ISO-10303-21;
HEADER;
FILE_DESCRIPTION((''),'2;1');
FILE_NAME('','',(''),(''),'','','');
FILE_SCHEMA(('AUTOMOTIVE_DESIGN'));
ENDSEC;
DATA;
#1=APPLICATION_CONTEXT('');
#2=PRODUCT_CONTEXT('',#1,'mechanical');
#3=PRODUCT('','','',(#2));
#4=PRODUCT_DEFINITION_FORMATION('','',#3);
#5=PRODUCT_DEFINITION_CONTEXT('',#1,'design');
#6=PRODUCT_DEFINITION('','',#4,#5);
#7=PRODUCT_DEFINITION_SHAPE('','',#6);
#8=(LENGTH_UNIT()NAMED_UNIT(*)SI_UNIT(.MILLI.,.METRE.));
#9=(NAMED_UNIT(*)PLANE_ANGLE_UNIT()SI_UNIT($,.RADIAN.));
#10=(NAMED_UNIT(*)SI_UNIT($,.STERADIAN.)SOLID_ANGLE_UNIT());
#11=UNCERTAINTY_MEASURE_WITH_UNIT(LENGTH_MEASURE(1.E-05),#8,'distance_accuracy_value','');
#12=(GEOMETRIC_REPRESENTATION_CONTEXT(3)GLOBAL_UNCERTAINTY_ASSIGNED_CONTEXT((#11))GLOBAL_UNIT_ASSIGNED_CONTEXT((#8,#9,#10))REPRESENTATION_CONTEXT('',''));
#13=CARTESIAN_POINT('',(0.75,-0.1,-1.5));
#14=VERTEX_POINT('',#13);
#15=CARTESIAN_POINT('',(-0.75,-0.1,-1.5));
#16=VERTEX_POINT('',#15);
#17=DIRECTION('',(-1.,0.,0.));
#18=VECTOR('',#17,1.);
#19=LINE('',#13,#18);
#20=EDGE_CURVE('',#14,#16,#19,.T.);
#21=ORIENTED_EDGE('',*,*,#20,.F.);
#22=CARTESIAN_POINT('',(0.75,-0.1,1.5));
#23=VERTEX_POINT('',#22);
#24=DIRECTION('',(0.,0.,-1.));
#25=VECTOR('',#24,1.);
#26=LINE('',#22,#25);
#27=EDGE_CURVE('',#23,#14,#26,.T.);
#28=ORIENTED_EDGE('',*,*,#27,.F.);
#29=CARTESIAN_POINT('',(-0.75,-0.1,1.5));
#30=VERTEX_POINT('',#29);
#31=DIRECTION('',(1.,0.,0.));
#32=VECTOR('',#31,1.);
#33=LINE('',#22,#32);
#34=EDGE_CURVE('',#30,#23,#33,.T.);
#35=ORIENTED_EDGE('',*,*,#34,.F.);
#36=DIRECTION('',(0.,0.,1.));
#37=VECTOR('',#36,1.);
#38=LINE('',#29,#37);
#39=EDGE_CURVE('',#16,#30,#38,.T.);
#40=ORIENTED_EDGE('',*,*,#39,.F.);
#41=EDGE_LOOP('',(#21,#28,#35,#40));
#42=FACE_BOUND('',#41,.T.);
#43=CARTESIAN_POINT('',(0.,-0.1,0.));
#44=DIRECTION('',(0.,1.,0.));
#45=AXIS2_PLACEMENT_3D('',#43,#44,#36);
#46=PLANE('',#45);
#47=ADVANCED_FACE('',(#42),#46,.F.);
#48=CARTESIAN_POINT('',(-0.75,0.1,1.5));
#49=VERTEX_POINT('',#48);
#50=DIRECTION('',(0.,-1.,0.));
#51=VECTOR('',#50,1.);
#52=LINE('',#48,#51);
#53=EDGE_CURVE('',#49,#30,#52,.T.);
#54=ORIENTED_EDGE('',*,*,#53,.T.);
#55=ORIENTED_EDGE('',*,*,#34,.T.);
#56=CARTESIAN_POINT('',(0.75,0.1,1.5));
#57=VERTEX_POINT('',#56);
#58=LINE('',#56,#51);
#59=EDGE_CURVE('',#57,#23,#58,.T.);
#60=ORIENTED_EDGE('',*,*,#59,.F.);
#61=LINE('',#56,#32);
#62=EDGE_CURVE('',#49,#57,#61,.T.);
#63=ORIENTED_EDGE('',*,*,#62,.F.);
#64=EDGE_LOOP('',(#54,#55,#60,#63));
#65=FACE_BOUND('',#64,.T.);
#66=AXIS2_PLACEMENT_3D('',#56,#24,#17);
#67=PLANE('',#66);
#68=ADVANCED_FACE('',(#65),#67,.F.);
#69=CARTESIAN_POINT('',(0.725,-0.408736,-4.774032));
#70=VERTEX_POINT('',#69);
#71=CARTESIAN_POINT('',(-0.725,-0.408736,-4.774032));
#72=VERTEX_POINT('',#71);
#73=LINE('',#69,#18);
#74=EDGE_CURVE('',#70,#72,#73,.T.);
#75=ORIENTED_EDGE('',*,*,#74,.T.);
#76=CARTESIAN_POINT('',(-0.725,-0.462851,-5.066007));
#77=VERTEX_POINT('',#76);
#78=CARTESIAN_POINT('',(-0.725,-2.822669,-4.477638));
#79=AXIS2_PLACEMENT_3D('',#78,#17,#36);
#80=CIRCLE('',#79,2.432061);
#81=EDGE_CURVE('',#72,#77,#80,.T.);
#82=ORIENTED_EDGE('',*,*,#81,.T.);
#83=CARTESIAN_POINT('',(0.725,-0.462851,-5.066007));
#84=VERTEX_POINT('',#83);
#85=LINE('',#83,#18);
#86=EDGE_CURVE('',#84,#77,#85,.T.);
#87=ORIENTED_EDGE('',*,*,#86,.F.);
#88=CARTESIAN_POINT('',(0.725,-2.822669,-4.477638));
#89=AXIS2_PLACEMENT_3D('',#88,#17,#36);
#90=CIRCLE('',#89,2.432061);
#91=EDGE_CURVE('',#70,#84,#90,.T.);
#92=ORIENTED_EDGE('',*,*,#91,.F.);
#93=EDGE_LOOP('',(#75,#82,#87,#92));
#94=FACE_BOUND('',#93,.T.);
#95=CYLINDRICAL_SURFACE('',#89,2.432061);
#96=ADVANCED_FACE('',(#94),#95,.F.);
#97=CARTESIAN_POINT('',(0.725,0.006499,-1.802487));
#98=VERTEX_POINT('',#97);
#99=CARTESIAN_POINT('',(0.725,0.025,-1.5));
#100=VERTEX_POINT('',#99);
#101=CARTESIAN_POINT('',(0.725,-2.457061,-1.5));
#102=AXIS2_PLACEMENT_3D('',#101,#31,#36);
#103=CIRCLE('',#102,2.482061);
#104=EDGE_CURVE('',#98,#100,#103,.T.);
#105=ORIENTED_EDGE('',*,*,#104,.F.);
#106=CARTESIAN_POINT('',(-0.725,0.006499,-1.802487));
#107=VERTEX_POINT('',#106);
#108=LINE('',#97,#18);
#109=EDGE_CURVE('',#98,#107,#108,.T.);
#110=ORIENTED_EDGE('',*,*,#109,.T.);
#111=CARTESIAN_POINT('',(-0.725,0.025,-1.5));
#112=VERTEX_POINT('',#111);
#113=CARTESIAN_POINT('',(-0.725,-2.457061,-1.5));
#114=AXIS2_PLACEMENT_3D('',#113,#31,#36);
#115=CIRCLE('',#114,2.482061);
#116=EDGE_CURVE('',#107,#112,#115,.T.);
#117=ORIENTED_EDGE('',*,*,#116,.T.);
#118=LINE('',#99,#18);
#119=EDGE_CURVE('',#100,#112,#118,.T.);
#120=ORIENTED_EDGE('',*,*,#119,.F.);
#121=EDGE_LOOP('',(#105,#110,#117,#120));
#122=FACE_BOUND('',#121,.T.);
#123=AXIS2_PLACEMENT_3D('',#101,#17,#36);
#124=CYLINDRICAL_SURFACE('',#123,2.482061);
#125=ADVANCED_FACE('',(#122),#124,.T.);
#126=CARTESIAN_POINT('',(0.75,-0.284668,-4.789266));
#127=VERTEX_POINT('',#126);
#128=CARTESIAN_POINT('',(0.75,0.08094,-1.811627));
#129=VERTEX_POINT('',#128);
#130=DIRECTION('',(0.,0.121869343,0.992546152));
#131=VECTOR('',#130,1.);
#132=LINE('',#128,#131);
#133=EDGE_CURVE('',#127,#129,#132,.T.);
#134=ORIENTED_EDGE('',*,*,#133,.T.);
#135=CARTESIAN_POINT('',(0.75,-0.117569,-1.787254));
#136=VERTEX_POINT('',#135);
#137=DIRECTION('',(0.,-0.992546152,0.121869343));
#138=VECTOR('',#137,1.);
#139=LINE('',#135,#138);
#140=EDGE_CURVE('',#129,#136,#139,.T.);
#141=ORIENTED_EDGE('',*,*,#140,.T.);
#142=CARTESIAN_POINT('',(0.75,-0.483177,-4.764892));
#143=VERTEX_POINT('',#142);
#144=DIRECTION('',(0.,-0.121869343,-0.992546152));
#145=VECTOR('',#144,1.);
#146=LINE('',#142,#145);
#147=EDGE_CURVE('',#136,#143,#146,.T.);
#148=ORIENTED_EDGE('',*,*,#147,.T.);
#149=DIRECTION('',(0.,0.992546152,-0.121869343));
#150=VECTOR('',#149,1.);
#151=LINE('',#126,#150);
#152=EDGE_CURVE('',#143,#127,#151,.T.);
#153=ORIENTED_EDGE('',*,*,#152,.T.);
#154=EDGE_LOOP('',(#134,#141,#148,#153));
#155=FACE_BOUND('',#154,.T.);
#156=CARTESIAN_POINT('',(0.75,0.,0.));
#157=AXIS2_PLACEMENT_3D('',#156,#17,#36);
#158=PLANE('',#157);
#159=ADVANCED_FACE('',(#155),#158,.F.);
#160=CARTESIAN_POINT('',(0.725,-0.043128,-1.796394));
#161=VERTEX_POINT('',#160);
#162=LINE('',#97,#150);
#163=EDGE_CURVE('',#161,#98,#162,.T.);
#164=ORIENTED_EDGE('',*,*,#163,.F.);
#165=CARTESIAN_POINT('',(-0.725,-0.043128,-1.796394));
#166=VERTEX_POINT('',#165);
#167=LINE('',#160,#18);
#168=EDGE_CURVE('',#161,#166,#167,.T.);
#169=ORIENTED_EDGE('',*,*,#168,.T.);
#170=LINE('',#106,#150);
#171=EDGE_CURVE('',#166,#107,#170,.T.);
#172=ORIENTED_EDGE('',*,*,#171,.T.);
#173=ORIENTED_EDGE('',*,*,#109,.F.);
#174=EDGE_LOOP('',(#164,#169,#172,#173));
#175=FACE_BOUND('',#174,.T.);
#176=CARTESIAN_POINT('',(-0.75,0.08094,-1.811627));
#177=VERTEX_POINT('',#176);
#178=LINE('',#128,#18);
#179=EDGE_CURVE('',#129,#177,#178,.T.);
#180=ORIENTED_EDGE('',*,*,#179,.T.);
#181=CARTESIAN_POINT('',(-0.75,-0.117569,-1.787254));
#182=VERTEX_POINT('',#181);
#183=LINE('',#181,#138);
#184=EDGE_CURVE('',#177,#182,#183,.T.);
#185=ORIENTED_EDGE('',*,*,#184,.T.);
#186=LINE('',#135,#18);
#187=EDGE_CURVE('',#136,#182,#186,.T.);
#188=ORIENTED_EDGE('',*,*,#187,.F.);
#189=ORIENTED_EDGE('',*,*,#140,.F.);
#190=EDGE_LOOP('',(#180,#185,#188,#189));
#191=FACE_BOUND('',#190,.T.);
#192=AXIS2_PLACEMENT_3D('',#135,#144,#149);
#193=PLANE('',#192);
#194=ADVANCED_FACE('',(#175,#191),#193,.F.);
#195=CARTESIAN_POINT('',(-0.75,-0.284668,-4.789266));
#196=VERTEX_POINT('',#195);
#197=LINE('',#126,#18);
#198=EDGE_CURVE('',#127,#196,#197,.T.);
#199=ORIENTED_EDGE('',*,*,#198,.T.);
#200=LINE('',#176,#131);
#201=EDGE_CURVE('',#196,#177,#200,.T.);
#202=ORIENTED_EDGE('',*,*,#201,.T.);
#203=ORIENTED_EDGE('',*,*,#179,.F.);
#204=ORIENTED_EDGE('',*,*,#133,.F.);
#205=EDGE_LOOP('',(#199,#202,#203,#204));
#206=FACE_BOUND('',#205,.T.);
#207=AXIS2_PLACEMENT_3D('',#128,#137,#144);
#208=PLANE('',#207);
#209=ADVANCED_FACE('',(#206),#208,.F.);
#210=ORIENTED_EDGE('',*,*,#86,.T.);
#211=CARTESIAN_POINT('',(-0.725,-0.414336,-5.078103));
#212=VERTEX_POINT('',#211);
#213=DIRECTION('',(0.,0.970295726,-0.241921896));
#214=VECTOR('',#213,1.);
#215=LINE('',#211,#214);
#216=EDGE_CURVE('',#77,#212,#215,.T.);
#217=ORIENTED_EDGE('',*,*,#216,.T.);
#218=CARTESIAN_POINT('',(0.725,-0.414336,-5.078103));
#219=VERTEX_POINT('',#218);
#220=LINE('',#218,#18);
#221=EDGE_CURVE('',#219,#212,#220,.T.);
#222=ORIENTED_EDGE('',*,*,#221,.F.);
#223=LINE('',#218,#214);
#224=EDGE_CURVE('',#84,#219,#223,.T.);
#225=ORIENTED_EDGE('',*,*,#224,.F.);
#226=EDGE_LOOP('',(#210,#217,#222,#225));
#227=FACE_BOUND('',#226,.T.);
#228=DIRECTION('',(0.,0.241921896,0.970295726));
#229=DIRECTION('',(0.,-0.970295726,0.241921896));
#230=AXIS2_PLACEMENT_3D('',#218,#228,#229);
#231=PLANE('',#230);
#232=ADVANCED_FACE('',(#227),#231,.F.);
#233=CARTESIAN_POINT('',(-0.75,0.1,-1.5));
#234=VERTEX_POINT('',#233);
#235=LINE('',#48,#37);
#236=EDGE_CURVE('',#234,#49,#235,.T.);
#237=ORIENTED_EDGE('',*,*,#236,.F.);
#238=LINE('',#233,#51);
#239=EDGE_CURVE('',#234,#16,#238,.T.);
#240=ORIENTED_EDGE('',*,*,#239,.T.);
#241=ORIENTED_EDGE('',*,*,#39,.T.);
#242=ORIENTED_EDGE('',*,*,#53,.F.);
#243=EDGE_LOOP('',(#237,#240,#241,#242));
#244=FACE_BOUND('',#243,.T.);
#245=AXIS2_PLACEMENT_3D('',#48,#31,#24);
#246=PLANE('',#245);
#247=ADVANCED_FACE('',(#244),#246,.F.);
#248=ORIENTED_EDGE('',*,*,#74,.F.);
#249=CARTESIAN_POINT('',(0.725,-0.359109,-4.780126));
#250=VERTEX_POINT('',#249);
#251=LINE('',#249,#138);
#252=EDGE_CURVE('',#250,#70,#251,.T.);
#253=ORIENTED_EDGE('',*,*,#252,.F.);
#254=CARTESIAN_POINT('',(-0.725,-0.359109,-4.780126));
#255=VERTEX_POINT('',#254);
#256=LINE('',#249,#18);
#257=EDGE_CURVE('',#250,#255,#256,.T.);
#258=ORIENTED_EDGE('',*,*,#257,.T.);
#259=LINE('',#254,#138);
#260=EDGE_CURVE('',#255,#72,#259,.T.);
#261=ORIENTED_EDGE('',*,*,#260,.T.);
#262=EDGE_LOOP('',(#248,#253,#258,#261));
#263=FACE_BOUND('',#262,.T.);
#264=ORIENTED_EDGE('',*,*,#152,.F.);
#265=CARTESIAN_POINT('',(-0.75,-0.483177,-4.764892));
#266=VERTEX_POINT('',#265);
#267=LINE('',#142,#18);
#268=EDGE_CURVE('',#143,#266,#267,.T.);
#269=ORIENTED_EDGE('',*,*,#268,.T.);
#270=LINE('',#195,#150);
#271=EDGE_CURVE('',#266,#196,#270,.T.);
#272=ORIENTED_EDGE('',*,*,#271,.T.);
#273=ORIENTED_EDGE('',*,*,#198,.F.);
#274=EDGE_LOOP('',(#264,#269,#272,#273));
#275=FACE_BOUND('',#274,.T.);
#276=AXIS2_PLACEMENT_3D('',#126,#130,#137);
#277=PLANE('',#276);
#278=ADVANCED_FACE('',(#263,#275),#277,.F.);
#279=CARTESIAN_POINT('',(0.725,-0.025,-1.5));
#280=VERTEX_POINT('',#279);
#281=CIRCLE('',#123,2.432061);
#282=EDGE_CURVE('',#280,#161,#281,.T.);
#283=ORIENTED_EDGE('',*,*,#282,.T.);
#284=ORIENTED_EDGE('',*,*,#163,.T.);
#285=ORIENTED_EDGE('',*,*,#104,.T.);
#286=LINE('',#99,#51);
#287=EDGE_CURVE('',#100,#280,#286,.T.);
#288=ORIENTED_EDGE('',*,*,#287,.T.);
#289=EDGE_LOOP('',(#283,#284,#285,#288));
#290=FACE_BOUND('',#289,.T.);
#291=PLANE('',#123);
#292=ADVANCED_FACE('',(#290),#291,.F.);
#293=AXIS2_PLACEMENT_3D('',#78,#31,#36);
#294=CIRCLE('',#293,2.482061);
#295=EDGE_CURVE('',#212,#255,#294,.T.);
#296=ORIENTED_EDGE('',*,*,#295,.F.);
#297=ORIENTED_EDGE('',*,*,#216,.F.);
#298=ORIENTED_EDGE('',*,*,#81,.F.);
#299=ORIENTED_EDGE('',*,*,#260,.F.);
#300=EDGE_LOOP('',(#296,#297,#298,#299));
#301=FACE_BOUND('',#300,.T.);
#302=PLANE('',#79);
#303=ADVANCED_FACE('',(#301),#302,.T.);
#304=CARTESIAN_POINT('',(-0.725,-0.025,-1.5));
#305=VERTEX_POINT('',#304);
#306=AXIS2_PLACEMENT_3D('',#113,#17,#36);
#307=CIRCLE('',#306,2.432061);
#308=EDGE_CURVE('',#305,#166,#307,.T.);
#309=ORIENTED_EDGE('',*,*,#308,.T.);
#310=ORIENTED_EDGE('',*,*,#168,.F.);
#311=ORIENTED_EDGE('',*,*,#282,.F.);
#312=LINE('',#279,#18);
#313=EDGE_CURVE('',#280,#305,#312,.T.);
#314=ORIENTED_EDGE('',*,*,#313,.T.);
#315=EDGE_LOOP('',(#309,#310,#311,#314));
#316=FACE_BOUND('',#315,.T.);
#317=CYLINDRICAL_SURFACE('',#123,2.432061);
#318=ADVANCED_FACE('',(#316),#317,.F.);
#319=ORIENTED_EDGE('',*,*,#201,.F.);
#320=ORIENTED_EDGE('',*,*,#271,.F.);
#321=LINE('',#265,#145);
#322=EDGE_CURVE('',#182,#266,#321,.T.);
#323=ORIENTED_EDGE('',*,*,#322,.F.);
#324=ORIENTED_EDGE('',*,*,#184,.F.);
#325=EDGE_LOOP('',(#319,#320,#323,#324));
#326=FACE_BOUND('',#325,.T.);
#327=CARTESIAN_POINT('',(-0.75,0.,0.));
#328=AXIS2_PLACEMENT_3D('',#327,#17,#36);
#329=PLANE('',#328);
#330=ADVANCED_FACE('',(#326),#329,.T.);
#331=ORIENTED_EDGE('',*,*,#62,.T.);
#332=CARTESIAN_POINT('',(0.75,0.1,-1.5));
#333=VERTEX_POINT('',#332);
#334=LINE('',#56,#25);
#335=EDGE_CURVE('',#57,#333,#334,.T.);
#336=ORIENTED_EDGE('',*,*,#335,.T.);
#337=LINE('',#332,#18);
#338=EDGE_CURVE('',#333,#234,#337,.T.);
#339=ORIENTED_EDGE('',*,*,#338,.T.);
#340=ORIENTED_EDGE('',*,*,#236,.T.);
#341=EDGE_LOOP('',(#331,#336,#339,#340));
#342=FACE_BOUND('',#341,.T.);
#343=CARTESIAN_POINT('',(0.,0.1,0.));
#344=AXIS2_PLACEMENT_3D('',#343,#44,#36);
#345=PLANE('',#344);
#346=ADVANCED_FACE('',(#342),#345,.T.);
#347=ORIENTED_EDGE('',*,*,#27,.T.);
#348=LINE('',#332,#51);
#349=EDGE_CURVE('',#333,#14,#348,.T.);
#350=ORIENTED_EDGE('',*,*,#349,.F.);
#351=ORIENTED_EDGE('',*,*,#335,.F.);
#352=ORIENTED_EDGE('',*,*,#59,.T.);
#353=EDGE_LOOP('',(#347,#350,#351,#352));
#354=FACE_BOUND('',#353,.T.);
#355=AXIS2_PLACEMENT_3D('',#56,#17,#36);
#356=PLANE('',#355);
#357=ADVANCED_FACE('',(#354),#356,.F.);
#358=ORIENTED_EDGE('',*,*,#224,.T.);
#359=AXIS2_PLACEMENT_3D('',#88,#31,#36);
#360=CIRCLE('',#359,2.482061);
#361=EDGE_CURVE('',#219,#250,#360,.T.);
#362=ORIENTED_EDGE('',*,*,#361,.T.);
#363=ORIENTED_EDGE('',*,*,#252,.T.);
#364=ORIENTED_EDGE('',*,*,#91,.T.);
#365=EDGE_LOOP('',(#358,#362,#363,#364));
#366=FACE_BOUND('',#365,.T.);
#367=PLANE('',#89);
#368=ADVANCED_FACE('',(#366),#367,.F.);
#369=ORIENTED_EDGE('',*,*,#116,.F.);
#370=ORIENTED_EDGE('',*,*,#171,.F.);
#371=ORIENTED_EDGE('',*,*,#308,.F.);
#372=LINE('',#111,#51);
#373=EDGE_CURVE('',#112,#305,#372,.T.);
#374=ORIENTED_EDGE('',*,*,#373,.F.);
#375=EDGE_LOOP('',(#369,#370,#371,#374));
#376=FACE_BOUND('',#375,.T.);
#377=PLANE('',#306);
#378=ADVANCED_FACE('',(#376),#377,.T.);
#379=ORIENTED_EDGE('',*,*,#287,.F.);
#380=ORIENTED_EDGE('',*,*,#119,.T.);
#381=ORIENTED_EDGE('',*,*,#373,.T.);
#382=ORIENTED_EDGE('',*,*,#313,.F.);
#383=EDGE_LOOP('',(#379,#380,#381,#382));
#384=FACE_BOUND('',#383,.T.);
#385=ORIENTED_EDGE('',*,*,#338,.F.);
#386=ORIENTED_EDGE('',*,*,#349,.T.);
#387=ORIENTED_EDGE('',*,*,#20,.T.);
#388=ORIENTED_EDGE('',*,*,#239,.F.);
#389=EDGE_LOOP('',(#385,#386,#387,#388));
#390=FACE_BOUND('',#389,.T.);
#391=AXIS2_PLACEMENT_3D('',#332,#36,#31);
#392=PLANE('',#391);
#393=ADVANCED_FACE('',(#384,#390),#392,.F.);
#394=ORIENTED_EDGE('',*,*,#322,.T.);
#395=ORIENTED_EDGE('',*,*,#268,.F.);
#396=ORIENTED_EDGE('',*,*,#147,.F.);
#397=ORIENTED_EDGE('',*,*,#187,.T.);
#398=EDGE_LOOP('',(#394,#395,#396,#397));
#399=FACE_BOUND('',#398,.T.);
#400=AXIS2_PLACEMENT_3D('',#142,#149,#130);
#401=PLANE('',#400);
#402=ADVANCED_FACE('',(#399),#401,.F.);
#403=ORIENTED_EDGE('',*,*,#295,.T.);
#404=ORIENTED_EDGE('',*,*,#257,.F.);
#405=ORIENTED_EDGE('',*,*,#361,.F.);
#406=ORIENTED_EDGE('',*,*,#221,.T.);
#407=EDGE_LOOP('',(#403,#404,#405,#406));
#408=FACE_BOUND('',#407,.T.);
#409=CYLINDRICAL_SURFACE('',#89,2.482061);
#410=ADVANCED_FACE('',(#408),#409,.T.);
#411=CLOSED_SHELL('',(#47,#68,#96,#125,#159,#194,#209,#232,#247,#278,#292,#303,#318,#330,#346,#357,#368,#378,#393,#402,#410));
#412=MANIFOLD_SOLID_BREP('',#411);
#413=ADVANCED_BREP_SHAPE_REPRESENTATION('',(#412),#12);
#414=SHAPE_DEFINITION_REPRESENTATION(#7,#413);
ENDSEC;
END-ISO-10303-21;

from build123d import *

# Parameters (mm, degrees)
SKETCH1_W           = 1.5
SKETCH1_H           = 3
BOSS_EXTRUDE1_DEPTH = 0.1
BOSS_EXTRUDE3_DEPTH = 0.725
BOSS_EXTRUDE4_DEPTH = 0.75
BOSS_EXTRUDE5_DEPTH = 0.725


with BuildPart() as part:
    # Sketch1 → Boss-Extrude1 (new, symmetric)
    with BuildSketch(Plane(origin=(0, 0, 0), x_dir=(1, 0, 0), z_dir=(0, 1, 0))):
        Rectangle(SKETCH1_W, SKETCH1_H)
    extrude(amount=BOSS_EXTRUDE1_DEPTH, both=True)

    # Sketch3 → Boss-Extrude3 (add, symmetric)
    with BuildSketch(Plane(origin=(0, 0, 0), x_dir=(0, 0, -1), z_dir=(1, 0, 0))):
        with BuildLine():
            Line((1.5, 0.025), (1.5, -0.025))
            ThreePointArc((1.5, -0.025), (1.648473787, -0.029536284), (1.796393706, -0.043128216))
            Line((1.796393706, -0.043128216), (1.802487173, 0.006499092))
            ThreePointArc((1.802487173, 0.006499092), (1.651526213, 0.020370455), (1.5, 0.025))
        make_face()
    extrude(amount=BOSS_EXTRUDE3_DEPTH, both=True)

    # Sketch4 → Boss-Extrude4 (add, symmetric)
    with BuildSketch(Plane(origin=(0, 0, 0), x_dir=(0, 0, -1), z_dir=(1, 0, 0))):
        Polygon((1.787253505, -0.117569177), (1.811627374, 0.080940053), (4.789265829, -0.284667977), (4.76489196, -0.483177207), align=None)
    extrude(amount=BOSS_EXTRUDE4_DEPTH, both=True)

    # Sketch6 → Boss-Extrude5 (add, symmetric)
    with BuildSketch(Plane(origin=(0, 0, 0), x_dir=(0, 0, -1), z_dir=(1, 0, 0))):
        with BuildLine():
            Line((4.780125628, -0.359108938), (4.774032161, -0.408736246))
            ThreePointArc((4.774032161, -0.408736246), (4.920846412, -0.43133312), (5.066007319, -0.462850643))
            Line((5.066007319, -0.462850643), (5.078103414, -0.414335857))
            ThreePointArc((5.078103414, -0.414335857), (4.929958189, -0.382170375), (4.780125628, -0.359108938))
        make_face()
    extrude(amount=BOSS_EXTRUDE5_DEPTH, both=True)


solid = part.part
